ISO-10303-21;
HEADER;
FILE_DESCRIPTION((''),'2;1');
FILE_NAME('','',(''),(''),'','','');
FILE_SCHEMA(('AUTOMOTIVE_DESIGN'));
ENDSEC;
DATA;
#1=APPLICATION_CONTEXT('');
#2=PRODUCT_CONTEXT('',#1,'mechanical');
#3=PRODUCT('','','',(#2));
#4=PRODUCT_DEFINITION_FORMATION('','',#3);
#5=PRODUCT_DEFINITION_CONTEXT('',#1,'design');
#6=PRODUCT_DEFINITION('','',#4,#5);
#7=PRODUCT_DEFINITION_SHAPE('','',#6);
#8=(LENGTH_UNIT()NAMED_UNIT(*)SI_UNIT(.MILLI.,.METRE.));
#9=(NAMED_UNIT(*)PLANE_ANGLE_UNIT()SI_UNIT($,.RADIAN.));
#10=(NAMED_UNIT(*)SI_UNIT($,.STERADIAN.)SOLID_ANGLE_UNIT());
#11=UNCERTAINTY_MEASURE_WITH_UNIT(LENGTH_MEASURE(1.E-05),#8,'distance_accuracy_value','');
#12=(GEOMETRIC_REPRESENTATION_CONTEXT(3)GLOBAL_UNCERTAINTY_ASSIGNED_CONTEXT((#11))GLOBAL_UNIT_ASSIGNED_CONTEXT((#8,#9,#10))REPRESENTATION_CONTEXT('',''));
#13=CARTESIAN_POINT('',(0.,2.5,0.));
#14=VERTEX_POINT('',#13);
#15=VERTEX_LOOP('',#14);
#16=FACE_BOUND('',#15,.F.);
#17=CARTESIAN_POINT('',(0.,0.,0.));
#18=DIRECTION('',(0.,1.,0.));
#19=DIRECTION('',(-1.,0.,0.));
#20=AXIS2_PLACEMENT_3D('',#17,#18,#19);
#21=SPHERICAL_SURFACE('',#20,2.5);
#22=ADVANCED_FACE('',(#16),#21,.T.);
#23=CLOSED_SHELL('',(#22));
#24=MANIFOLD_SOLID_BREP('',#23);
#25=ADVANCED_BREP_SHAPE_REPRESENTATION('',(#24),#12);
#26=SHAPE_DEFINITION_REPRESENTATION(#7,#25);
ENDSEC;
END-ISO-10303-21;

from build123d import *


with BuildPart() as part:
    # Esquisse1 → Révolution2 (revolve)
    with BuildSketch(Plane.XY):
        with BuildLine():
            Line((0, 2.5), (0, -2.5))
            ThreePointArc((0, -2.5), (-2.5, 0), (0, 2.5))
        make_face()
    revolve(axis=Axis((0, 2.5, 0), (0, -1, 0)))


solid = part.part
